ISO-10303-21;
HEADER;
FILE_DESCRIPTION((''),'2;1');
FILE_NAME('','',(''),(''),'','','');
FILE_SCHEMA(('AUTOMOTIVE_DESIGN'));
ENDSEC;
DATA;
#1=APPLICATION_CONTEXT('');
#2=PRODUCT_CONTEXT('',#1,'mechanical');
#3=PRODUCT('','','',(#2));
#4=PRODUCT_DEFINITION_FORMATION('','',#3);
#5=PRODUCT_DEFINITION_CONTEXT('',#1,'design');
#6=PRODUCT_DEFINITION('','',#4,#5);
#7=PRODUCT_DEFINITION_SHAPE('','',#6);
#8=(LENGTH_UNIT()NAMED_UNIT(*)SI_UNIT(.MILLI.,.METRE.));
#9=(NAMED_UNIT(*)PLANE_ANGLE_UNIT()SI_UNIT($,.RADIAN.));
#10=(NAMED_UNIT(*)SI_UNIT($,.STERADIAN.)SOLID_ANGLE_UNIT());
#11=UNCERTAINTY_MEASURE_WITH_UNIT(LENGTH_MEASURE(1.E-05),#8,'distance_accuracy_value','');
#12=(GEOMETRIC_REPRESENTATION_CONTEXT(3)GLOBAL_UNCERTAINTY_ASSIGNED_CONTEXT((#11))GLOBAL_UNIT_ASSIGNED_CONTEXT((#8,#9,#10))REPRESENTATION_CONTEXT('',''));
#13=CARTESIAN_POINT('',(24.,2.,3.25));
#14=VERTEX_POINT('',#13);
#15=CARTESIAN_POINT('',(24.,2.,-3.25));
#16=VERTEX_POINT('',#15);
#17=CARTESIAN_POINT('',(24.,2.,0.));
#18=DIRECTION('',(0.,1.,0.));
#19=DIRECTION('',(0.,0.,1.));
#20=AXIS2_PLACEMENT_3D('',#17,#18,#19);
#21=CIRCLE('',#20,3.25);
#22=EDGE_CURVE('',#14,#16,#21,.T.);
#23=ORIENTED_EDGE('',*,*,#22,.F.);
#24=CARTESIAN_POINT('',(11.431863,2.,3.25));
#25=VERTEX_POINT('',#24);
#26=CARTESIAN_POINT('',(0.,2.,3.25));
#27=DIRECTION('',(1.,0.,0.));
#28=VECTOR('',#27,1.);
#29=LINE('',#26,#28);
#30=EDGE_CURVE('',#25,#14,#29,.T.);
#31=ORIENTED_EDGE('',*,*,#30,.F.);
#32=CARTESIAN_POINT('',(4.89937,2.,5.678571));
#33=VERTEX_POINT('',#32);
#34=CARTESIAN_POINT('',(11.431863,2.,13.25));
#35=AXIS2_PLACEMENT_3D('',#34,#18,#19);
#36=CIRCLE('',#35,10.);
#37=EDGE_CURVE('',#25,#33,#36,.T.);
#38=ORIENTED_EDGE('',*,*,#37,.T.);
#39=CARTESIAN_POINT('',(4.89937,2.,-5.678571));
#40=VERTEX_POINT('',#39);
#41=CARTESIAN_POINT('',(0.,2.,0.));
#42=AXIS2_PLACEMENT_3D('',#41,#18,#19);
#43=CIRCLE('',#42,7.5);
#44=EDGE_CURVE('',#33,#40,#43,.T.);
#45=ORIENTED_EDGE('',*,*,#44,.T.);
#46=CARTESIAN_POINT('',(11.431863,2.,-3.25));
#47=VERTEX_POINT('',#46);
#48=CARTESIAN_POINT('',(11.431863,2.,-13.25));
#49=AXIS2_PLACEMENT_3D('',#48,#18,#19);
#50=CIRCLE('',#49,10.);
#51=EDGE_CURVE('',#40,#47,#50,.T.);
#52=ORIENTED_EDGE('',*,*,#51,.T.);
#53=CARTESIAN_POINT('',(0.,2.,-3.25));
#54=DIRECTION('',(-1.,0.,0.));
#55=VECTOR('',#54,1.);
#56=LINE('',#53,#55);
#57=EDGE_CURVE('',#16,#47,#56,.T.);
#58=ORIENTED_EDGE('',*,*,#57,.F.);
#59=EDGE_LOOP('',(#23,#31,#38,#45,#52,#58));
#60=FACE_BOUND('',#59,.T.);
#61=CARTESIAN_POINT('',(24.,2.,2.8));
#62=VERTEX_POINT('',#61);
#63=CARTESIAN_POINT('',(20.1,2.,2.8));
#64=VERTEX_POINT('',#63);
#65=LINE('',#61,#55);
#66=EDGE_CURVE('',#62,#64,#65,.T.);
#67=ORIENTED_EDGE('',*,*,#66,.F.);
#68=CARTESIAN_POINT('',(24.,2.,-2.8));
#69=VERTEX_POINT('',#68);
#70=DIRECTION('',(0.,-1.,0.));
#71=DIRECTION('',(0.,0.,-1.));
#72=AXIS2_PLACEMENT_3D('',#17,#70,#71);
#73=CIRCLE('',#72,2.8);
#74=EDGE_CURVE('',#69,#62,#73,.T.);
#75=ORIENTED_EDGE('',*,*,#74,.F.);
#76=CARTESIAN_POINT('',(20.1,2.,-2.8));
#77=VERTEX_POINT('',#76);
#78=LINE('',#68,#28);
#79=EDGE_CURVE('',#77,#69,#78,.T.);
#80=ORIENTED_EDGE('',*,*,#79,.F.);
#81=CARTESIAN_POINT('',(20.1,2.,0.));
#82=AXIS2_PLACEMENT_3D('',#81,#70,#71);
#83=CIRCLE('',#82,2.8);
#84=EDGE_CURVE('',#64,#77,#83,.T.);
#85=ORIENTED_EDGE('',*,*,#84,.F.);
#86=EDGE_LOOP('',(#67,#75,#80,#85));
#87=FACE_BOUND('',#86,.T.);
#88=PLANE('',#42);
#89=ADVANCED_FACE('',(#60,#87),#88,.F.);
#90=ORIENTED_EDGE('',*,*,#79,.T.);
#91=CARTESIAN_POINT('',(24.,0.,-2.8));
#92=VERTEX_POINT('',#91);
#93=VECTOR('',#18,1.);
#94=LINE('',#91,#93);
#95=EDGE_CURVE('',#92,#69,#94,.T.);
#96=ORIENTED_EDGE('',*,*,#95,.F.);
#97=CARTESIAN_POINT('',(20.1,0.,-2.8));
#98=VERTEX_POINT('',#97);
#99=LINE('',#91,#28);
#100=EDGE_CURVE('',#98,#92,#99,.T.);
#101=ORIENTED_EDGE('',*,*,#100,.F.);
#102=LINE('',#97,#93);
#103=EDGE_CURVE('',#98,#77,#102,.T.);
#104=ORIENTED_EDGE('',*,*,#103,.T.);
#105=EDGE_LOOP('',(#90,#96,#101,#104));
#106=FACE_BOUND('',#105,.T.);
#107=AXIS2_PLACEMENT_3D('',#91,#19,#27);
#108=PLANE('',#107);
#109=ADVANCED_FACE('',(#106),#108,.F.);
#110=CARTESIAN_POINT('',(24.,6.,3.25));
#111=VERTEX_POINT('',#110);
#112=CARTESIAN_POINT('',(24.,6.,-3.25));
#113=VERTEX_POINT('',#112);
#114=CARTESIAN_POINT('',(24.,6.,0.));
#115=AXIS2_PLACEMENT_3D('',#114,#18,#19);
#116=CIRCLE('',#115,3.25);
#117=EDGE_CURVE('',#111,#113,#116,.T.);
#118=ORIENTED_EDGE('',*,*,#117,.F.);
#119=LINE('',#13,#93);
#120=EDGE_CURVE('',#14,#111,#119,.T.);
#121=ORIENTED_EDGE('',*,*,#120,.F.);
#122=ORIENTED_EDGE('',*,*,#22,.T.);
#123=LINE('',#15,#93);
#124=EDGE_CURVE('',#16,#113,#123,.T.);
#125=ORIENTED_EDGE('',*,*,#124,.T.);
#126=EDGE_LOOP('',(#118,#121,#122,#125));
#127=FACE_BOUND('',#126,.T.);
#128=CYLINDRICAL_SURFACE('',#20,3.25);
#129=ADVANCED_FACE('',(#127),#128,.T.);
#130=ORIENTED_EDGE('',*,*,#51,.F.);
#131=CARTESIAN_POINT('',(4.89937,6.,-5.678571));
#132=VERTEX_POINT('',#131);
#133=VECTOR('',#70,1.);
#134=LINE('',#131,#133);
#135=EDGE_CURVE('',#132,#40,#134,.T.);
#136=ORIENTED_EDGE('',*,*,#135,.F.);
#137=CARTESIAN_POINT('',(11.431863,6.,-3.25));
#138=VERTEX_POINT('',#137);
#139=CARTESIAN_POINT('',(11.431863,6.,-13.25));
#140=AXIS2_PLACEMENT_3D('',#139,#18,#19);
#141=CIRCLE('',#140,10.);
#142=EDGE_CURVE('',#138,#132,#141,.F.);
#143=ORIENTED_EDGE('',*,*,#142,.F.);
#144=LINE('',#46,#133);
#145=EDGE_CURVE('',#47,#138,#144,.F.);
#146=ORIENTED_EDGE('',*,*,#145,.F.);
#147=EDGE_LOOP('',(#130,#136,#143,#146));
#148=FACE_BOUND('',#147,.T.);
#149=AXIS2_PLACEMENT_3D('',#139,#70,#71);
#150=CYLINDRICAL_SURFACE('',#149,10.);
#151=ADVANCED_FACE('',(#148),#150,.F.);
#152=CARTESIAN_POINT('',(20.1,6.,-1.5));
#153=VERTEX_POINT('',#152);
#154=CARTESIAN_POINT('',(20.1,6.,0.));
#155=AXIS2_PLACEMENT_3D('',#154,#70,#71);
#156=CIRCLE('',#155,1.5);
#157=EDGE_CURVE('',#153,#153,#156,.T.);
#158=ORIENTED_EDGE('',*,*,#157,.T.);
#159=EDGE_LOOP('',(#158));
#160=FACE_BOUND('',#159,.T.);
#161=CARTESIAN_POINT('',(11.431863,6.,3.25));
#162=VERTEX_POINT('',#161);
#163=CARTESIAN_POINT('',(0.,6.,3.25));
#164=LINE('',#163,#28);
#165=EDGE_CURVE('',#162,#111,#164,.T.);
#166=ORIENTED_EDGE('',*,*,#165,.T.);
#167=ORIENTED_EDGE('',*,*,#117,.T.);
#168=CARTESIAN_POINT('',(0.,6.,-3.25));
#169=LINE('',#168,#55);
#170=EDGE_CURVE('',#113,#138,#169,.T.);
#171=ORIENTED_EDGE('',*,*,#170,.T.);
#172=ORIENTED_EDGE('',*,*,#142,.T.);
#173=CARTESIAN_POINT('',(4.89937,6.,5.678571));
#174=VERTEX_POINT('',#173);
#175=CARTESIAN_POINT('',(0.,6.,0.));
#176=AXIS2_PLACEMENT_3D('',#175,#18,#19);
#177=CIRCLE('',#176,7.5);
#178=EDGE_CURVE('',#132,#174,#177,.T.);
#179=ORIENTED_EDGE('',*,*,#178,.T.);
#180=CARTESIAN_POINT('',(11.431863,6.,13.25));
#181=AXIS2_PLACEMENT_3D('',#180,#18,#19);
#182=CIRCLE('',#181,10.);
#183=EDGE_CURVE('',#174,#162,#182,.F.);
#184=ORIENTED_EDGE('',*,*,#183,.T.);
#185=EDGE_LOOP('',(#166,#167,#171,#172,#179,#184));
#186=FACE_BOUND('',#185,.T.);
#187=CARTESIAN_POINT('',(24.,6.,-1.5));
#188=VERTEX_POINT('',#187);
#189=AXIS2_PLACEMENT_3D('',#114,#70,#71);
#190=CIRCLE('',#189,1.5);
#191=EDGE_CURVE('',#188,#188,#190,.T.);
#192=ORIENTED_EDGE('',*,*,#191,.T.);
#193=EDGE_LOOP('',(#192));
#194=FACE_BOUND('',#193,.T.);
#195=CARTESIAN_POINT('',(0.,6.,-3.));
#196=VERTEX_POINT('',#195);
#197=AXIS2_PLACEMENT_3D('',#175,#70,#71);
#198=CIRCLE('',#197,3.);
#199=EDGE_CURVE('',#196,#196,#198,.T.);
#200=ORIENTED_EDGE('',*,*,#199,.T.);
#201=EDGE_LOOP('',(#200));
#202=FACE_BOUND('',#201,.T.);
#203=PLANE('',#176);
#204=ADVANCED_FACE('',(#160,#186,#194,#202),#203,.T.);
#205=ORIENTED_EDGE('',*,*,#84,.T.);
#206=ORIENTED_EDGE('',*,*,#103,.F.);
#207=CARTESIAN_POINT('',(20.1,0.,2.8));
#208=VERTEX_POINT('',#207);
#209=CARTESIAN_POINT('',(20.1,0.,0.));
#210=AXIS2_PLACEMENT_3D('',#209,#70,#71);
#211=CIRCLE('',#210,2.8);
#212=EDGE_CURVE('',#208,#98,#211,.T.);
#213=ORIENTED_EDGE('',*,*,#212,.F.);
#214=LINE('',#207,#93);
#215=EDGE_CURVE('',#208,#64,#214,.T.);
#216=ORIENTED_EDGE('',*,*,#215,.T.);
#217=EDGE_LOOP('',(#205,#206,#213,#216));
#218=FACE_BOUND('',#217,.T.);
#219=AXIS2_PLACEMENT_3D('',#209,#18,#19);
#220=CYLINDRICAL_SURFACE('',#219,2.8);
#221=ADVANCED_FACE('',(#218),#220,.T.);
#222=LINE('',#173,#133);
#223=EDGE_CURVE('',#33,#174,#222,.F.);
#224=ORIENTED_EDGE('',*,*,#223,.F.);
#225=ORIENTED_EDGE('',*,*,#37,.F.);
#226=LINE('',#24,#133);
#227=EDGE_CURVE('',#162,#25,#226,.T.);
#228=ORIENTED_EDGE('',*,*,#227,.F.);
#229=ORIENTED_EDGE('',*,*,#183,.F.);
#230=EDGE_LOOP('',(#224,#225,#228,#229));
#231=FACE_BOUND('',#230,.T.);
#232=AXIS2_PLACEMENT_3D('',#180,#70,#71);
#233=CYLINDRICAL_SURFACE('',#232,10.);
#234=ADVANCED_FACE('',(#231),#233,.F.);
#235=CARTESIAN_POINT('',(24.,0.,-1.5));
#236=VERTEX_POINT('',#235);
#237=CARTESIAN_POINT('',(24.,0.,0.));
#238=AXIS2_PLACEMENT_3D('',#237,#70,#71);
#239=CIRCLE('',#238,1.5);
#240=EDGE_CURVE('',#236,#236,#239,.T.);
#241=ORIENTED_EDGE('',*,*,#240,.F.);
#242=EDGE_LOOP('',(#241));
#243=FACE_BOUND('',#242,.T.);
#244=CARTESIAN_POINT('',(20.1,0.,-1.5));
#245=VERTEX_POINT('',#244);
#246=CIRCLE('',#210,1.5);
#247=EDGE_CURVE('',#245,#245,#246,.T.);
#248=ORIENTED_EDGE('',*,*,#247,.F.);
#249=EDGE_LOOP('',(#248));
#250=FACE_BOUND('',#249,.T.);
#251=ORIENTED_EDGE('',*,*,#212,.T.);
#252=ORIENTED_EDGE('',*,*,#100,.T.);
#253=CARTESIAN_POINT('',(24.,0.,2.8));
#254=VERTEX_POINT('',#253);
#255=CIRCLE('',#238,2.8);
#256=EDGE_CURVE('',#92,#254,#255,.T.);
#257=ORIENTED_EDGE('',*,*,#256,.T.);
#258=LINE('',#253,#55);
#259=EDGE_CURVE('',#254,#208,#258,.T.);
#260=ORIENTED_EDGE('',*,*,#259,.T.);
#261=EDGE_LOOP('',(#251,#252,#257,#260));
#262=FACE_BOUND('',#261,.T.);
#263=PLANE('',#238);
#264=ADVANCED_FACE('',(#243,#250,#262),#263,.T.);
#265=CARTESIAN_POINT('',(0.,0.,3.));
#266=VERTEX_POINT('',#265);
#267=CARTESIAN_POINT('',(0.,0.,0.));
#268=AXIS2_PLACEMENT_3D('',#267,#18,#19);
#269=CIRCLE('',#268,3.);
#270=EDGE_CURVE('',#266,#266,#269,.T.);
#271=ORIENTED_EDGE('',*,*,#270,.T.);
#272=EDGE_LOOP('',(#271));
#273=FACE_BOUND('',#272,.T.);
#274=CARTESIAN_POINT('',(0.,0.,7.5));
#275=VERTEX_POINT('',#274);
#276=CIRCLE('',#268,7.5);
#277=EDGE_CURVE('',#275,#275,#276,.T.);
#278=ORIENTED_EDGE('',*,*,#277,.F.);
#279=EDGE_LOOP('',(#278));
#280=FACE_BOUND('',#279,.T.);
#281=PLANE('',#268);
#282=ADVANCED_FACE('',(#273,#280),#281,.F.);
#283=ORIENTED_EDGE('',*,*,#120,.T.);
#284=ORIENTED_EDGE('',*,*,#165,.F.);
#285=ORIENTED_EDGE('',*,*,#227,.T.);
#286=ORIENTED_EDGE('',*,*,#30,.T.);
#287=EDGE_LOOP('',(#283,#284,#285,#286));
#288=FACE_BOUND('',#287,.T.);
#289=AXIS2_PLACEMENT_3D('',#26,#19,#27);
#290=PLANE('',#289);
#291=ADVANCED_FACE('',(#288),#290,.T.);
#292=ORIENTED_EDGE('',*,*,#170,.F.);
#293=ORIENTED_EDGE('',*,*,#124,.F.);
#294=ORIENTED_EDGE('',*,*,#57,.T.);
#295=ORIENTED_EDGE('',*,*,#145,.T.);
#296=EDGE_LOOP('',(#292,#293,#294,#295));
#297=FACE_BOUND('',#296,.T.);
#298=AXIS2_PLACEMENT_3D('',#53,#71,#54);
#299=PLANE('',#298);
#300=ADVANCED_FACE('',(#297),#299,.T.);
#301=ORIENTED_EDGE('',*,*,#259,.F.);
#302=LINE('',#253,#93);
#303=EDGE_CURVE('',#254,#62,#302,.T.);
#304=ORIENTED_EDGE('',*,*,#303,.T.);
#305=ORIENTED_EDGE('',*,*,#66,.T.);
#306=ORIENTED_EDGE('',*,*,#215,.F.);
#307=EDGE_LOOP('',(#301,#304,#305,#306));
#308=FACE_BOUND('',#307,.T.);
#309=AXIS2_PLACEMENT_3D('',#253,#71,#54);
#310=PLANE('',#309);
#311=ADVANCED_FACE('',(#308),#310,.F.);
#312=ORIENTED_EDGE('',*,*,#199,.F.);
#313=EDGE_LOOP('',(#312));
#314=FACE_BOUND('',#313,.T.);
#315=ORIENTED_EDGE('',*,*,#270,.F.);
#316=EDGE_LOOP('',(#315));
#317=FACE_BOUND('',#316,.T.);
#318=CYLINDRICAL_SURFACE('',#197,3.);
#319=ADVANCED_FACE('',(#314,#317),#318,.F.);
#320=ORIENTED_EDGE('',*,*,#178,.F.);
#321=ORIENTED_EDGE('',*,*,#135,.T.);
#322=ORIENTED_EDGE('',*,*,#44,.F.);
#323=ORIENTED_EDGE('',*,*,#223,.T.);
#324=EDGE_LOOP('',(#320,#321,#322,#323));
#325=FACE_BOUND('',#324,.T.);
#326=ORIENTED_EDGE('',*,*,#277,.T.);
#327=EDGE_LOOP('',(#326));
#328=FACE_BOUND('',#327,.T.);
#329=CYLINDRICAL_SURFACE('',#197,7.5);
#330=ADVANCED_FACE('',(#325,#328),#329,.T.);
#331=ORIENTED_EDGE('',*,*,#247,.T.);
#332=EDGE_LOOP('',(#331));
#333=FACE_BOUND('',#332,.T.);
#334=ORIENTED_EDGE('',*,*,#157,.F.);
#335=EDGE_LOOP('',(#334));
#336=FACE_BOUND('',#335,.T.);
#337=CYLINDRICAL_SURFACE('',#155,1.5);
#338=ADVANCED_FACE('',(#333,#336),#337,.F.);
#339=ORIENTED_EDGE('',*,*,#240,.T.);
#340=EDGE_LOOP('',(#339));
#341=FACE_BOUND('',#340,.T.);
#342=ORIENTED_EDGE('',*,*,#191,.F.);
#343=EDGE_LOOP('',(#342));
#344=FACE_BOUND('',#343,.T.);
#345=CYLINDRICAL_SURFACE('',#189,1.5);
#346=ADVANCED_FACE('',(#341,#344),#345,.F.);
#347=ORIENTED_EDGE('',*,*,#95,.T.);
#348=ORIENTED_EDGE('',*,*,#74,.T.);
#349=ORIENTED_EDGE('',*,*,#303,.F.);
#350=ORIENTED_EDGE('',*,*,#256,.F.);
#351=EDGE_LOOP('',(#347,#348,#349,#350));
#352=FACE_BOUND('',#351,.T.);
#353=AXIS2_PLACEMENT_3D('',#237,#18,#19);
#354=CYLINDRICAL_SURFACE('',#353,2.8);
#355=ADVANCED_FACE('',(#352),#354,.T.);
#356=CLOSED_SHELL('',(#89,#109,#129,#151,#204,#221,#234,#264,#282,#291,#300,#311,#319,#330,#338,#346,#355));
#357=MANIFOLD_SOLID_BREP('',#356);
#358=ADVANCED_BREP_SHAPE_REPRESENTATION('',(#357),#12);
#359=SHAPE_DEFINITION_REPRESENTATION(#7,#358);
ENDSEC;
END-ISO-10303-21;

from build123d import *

# Parameters (mm, degrees)
SKETCH1_R               = 7.5
BOSS_EXTRUDE1_DEPTH     = 6
BOSS_EXTRUDE2_DEPTH     = 4
BOSS_EXTRUDE3_DEPTH     = 2
CUT_EXTRUDE1_DEPTH      = 29.893122019
CUT_EXTRUDE1_DEPTH_BACK = 29.893122019
SKETCH5_R               = 1.5
SKETCH5_R_2             = 3
FILLET1_R               = 10


with BuildPart() as part:
    # Sketch1 → Boss-Extrude1 (new body)
    with BuildSketch(Plane(origin=(0, 0, 0), x_dir=(1, 0, 0), z_dir=(0, 1, 0))):
        with Locations(Location((0, 0, 0), (0, 0, 270))):
            Circle(SKETCH1_R)
    extrude(amount=BOSS_EXTRUDE1_DEPTH)

    # Sketch2 → Boss-Extrude2 (add)
    with BuildSketch(Plane(origin=(0, 6, 0), x_dir=(1, 0, 0), z_dir=(0, 1, 0))):
        with BuildLine():
            Line((0, 3.25), (24, 3.25))
            ThreePointArc((24, 3.25), (27.25, 0), (24, -3.25))
            Line((24, -3.25), (0, -3.25))
            ThreePointArc((0, -3.25), (-3.25, 0), (0, 3.25))
        make_face()
    extrude(amount=-BOSS_EXTRUDE2_DEPTH)

    # Sketch4 → Boss-Extrude3 (add)
    with BuildSketch(Plane(origin=(0, 2, 0), x_dir=(-1, 0, 0), z_dir=(0, -1, 0))):
        with BuildLine():
            Line((-24, 2.8), (-20.1, 2.8))
            ThreePointArc((-20.1, 2.8), (-17.3, 0), (-20.1, -2.8))
            Line((-20.1, -2.8), (-24, -2.8))
            ThreePointArc((-24, -2.8), (-26.8, 0), (-24, 2.8))
        make_face()
    extrude(amount=BOSS_EXTRUDE3_DEPTH)

    # Sketch5 → Cut-Extrude1 (cut, two sides: drawn at the far end of the back side and taken through both)
    with BuildSketch(Plane.XZ.offset(-CUT_EXTRUDE1_DEPTH_BACK)):
        with Locations(Location((24, 0, 0), (0, 0, 270))):
            Circle(SKETCH5_R)
        with Locations(Location((20.1, 0, 0), (0, 0, 270))):
            Circle(SKETCH5_R)
        with Locations(Location((0, 0, 0), (0, 0, 270))):
            Circle(SKETCH5_R_2)
    extrude(amount=CUT_EXTRUDE1_DEPTH + CUT_EXTRUDE1_DEPTH_BACK, mode=Mode.SUBTRACT)

    # Fillet1
    fillet1_edges = [part.edges().sort_by_distance(p)[0] for p in [
        (6.759252917, 4, -3.25),
        (6.759252917, 4, 3.25),
    ]]
    fillet(fillet1_edges, radius=FILLET1_R)


solid = part.part
